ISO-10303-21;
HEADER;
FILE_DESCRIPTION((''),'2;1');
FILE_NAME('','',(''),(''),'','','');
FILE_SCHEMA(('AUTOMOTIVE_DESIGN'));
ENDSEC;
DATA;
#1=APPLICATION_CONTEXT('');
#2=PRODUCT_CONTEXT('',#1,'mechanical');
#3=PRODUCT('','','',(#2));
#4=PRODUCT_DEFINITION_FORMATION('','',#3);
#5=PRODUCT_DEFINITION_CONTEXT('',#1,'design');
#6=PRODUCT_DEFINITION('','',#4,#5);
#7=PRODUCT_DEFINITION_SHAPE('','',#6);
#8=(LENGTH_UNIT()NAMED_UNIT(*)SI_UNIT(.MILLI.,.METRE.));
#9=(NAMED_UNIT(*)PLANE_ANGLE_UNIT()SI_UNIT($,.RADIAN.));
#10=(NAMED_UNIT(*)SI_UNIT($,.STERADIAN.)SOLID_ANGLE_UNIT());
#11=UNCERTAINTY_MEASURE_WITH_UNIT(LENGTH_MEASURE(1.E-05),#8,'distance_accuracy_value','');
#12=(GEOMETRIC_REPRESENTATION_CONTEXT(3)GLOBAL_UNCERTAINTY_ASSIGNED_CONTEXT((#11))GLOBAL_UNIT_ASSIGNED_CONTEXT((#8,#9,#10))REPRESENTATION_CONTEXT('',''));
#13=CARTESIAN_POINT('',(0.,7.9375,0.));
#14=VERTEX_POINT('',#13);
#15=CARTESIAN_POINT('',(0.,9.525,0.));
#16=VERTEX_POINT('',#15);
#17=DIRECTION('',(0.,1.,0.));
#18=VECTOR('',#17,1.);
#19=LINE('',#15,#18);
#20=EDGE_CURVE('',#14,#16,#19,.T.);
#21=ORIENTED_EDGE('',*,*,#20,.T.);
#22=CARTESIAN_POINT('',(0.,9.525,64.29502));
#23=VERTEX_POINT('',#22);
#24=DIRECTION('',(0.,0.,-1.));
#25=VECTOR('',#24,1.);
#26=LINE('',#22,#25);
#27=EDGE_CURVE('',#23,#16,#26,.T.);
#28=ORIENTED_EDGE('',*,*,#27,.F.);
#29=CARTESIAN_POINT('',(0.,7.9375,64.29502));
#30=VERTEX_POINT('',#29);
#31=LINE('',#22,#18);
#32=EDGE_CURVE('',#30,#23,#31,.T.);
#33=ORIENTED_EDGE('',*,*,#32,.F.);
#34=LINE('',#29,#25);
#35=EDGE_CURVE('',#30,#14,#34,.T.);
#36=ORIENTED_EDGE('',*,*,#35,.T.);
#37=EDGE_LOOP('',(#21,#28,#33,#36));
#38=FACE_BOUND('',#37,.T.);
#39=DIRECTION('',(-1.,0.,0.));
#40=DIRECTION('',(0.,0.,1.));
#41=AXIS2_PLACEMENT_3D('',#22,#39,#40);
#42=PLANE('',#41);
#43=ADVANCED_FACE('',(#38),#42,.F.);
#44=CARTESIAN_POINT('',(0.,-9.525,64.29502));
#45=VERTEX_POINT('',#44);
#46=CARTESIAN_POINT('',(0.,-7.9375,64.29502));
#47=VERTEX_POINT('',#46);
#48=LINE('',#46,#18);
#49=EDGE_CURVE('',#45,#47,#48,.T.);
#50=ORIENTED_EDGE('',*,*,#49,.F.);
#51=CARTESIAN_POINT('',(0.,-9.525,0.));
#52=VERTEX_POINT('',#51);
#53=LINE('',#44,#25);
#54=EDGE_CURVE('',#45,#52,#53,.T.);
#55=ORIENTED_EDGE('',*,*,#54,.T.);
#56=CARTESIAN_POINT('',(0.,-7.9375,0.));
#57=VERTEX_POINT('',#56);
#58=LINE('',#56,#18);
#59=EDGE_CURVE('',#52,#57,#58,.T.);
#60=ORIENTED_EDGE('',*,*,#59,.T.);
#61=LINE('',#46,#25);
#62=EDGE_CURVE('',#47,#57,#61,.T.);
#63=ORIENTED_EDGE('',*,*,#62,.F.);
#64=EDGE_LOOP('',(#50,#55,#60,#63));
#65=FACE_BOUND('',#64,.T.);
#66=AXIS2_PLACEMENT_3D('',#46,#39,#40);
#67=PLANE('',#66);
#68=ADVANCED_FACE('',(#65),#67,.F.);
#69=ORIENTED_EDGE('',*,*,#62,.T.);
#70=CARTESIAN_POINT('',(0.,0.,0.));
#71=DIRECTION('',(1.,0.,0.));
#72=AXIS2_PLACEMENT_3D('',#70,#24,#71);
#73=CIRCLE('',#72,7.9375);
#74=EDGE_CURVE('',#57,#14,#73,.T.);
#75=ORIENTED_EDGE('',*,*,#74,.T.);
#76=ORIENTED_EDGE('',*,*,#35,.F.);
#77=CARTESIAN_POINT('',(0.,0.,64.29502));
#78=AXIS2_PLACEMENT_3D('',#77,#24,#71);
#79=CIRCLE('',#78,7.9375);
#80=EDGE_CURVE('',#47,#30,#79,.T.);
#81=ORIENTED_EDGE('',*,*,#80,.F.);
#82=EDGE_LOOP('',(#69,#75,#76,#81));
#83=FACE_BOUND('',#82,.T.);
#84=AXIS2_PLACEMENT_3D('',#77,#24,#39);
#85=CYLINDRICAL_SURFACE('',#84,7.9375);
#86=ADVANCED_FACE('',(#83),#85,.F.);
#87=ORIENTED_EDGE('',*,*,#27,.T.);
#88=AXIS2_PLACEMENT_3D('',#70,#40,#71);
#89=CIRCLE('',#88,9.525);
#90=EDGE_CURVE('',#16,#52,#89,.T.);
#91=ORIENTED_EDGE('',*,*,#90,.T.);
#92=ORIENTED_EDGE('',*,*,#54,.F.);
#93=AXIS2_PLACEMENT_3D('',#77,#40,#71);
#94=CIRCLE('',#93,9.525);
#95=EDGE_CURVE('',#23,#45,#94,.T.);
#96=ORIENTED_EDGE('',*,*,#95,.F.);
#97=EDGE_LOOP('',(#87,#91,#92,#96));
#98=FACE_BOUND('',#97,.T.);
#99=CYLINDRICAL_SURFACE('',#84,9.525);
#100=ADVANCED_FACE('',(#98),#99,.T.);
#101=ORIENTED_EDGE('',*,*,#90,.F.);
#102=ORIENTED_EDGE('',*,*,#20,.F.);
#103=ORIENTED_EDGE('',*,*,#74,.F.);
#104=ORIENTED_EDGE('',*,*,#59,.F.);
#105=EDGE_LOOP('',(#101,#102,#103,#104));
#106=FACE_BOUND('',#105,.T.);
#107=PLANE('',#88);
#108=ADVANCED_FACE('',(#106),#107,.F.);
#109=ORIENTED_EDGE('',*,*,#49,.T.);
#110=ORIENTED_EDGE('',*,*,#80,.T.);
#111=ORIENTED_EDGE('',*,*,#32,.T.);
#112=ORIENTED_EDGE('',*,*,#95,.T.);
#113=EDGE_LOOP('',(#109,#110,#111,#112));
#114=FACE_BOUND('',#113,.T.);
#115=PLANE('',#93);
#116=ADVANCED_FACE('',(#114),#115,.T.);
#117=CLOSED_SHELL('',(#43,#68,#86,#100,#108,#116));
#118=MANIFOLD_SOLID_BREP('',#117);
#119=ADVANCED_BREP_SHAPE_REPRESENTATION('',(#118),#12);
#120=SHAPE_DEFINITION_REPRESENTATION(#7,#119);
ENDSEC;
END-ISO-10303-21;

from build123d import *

# Parameters (mm, degrees)
BOSS_EXTRUDE1_DEPTH = 64.29502


with BuildPart() as part:
    # Sketch1 → Boss-Extrude1 (new body)
    with BuildSketch(Plane.XY):
        with BuildLine():
            Line((0, 9.525), (0, 7.9375))
            ThreePointArc((0, 7.9375), (-7.9375, 0), (0, -7.9375))
            Line((0, -7.9375), (0, -9.525))
            ThreePointArc((0, -9.525), (-9.525, 0), (0, 9.525))
        make_face()
    extrude(amount=BOSS_EXTRUDE1_DEPTH)


solid = part.part
